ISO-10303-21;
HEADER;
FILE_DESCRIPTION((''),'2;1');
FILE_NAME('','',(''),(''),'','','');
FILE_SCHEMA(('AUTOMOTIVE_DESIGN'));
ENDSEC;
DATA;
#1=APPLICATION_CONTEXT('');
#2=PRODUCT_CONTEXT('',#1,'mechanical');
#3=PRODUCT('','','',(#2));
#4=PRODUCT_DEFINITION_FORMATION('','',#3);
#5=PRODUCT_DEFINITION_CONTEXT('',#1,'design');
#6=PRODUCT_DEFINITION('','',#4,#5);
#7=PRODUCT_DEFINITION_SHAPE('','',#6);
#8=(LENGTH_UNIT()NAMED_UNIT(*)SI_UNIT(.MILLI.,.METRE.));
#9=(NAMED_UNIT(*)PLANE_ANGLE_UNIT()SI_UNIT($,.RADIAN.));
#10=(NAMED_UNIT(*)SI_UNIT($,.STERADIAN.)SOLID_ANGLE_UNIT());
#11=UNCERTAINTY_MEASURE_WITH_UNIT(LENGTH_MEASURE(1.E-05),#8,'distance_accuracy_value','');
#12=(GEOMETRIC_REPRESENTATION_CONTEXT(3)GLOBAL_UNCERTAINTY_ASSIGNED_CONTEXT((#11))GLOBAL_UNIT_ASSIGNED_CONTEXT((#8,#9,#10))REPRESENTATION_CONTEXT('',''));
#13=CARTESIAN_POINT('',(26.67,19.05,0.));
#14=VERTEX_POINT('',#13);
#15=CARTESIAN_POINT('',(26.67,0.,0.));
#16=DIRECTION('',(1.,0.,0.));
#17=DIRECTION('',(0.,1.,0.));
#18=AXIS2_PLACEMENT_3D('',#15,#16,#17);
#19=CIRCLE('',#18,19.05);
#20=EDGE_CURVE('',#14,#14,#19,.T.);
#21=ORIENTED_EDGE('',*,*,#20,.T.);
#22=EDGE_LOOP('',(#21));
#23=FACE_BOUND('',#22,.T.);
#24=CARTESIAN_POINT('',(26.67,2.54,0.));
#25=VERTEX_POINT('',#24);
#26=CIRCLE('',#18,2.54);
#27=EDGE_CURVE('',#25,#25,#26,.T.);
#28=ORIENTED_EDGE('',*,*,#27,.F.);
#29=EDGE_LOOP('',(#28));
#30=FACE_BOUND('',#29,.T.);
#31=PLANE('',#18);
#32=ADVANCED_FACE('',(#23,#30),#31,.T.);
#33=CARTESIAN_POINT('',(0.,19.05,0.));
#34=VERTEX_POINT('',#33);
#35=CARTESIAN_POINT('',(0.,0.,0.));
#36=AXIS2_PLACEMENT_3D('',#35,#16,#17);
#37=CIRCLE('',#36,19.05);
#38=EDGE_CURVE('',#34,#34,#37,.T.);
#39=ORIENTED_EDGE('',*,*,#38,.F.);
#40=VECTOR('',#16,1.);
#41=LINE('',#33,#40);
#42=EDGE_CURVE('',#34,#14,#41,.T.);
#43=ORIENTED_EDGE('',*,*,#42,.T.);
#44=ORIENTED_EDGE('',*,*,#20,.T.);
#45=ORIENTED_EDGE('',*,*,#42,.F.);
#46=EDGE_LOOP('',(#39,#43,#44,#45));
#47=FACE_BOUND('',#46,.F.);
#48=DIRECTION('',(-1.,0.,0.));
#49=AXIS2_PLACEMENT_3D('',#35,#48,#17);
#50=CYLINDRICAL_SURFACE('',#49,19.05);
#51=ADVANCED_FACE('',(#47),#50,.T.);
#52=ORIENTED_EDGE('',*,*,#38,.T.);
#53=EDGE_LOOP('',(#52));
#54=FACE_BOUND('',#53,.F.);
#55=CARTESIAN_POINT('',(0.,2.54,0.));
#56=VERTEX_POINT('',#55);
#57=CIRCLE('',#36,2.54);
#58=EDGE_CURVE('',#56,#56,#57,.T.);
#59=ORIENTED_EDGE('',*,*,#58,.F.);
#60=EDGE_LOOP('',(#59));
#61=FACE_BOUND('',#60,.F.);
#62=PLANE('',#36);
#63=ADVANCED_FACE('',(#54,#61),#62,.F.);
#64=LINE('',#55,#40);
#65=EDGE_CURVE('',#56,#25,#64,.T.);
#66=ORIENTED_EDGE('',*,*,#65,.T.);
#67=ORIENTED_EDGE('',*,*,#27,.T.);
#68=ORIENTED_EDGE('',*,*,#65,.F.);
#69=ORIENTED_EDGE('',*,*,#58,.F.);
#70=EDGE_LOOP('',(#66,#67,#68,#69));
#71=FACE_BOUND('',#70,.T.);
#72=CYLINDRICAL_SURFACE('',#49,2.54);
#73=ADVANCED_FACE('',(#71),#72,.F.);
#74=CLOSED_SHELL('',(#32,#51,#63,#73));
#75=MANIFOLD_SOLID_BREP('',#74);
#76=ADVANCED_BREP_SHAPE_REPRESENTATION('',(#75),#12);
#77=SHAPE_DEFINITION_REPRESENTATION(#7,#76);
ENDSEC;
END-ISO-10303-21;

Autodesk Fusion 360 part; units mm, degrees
sketch "Sketch1" plane through (0, 0, 0) normal (1, 0, 0) x (0, 1, 0)
  circle A0 centre (0, 0) radius 19.05
  circle A1 centre (0, 0) radius 2.54
  dimension "d1" = 38.1
  dimension "d4" = 5.08
extrude "Extrude1" add sketch "Sketch1" along normal blind 26.67
